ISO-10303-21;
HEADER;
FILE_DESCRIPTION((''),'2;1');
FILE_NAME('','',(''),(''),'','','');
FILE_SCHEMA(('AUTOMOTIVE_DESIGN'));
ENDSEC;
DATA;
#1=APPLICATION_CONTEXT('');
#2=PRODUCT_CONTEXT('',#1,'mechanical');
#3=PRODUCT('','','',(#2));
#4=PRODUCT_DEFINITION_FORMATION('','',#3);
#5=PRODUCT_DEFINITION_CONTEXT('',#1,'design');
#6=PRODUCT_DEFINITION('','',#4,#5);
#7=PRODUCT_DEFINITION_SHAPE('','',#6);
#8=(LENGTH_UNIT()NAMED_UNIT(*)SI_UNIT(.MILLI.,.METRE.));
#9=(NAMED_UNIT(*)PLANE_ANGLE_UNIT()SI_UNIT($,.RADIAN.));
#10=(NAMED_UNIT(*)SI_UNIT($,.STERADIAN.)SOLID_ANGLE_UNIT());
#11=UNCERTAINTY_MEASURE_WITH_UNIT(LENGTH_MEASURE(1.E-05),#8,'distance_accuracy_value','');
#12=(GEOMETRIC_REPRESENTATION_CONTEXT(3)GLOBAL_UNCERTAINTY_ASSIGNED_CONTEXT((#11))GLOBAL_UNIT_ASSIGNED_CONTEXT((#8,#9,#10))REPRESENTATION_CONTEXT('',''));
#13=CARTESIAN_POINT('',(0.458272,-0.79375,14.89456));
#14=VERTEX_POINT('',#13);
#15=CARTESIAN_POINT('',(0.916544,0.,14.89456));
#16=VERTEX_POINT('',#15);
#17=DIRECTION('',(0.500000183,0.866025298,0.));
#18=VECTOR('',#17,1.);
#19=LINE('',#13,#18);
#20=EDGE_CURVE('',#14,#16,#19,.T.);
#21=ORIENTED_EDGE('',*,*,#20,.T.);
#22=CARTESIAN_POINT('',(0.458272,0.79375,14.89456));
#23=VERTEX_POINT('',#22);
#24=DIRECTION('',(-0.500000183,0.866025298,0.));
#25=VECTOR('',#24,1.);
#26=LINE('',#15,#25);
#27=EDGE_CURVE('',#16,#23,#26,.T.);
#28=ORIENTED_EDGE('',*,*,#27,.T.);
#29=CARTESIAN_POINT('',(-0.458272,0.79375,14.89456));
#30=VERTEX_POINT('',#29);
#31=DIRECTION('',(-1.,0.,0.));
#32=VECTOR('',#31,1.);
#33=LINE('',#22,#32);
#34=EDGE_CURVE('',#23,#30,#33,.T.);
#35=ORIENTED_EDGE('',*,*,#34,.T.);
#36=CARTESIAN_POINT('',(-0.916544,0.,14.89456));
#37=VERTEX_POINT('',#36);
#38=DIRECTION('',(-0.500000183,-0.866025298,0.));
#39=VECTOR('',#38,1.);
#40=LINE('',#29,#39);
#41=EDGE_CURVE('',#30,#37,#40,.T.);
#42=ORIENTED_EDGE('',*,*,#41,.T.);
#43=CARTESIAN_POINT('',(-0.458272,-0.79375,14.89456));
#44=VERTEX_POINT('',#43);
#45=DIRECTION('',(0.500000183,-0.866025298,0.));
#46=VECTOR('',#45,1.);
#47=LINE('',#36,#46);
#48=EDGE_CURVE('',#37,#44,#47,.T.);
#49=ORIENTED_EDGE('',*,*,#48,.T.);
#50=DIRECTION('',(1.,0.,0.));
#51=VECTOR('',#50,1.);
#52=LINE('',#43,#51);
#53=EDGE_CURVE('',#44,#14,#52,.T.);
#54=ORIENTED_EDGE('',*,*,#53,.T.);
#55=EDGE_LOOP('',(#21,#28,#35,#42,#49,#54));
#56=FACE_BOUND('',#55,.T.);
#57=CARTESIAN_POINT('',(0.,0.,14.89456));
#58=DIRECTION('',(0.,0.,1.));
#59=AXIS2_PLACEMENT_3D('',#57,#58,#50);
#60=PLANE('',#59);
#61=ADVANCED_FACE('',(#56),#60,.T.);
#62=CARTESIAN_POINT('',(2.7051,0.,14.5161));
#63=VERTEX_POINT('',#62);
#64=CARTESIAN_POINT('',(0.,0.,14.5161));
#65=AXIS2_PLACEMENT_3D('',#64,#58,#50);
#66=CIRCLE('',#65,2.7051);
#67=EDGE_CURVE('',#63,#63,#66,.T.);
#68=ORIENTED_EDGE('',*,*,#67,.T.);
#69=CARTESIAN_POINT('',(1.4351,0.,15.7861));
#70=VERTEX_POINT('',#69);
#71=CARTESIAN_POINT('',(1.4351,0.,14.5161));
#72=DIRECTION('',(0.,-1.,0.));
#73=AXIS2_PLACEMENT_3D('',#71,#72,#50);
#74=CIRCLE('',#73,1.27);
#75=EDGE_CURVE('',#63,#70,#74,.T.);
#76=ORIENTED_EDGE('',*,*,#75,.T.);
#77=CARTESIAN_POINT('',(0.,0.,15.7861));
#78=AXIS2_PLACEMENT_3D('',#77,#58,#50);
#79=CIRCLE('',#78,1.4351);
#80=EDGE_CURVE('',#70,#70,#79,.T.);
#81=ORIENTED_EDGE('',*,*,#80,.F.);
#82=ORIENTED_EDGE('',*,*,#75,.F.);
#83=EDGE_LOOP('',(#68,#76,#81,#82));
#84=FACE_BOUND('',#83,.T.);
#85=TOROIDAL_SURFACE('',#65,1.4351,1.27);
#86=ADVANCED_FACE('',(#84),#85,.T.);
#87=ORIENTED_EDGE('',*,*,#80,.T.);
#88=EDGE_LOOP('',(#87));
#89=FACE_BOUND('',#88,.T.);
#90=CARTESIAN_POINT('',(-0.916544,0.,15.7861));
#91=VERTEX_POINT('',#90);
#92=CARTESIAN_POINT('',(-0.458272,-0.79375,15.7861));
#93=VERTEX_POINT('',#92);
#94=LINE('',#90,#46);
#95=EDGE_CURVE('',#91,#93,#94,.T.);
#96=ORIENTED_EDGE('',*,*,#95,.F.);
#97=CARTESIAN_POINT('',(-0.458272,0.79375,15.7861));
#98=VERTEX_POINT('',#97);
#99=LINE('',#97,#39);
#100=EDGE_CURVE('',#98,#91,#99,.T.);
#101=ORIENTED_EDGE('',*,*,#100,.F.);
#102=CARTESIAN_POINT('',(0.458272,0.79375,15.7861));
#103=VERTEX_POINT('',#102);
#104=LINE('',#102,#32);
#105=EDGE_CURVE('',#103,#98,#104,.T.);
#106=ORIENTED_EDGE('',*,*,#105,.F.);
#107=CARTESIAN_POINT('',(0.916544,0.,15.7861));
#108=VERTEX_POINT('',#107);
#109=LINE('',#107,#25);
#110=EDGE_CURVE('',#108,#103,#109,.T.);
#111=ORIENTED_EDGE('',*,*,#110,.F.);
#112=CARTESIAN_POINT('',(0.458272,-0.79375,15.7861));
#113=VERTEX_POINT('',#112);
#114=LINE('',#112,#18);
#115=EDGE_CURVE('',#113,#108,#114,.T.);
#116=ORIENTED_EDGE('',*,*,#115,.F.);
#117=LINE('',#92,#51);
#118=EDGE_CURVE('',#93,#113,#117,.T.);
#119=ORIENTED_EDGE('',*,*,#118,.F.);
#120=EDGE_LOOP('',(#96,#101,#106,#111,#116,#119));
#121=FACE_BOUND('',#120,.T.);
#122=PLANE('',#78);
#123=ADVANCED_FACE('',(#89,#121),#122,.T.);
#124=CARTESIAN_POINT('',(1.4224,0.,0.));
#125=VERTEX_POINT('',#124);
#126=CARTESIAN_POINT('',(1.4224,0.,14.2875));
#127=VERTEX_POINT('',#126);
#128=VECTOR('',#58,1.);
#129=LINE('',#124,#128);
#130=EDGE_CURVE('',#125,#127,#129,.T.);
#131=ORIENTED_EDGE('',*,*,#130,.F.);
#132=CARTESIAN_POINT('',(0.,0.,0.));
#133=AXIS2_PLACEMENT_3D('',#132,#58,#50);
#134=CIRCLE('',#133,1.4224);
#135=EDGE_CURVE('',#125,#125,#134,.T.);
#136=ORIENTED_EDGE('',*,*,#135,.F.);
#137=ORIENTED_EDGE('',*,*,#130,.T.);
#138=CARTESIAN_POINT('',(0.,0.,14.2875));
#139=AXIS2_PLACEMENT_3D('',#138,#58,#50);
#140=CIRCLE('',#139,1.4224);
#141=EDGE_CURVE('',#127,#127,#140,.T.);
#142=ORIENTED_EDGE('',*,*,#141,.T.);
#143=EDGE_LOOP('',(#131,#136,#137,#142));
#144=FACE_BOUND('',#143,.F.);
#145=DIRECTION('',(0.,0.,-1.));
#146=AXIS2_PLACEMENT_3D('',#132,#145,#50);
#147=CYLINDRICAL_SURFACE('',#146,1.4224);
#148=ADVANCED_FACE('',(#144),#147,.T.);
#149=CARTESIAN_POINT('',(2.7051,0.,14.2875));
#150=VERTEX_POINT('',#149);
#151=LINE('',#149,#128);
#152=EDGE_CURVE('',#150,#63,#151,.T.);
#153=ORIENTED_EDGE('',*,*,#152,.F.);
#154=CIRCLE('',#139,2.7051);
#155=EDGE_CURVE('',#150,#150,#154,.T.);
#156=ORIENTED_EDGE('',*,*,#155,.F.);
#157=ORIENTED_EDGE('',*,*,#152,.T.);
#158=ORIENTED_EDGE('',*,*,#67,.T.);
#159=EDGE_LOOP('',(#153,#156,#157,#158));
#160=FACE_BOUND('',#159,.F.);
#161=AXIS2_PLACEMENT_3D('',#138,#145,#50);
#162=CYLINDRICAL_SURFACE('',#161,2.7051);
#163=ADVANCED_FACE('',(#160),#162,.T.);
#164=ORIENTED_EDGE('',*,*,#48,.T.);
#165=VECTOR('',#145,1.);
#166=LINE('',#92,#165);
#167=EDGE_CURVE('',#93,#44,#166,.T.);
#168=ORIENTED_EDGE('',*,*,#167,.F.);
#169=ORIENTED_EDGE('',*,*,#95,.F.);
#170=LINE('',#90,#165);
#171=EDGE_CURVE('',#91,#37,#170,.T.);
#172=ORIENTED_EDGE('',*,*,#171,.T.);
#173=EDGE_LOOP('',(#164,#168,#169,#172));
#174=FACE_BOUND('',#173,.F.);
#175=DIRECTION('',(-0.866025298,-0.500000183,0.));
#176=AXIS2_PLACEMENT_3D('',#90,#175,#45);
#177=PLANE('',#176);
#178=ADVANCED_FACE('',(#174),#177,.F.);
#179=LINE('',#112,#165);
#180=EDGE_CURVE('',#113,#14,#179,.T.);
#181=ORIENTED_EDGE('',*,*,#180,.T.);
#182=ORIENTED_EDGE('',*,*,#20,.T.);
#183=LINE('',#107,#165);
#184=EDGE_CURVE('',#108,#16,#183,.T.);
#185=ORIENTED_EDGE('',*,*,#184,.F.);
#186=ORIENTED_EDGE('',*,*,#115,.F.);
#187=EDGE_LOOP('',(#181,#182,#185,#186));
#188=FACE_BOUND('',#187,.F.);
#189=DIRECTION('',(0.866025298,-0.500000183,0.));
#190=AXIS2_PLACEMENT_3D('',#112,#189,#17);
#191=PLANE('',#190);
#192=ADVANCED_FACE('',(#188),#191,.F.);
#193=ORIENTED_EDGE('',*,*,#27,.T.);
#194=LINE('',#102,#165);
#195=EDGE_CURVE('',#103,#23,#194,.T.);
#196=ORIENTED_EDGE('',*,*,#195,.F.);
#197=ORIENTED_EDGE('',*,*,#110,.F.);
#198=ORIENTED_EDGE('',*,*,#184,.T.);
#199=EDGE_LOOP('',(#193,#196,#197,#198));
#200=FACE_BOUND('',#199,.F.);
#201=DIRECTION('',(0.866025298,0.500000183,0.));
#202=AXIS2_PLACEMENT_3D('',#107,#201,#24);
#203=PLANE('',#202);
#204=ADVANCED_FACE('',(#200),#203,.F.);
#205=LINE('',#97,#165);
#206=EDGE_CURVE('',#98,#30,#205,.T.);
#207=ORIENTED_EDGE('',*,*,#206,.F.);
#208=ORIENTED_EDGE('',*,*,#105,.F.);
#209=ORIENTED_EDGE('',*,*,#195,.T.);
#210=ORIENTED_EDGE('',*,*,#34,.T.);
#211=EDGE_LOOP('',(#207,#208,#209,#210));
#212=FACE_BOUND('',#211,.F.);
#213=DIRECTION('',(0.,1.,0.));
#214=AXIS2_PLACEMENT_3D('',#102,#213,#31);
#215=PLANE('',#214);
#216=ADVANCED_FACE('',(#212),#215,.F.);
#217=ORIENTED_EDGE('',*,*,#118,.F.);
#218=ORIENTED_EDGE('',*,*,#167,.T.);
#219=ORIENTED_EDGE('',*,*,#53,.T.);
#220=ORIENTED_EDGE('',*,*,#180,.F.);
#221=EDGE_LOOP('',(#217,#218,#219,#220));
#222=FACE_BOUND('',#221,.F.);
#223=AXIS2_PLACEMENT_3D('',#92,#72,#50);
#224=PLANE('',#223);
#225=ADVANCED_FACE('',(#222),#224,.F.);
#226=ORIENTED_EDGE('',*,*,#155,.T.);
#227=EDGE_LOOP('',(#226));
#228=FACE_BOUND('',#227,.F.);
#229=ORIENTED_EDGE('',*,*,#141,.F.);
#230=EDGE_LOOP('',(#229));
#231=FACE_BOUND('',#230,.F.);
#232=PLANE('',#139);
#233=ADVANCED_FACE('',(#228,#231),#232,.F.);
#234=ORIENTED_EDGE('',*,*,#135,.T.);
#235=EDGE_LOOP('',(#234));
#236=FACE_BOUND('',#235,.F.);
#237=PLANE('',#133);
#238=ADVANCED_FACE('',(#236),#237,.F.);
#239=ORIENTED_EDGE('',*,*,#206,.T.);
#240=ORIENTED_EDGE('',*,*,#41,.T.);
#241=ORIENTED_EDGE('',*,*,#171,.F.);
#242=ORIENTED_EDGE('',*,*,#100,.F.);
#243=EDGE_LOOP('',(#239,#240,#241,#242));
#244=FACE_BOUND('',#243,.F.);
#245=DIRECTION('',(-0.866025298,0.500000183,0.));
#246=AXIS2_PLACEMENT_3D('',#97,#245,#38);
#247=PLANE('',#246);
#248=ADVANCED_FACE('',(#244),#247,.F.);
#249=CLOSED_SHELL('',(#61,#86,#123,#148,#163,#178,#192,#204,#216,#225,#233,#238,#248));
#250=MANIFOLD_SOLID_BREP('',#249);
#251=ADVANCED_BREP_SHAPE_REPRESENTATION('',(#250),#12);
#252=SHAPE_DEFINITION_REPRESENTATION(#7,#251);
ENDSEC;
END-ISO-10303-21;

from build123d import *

# Parameters (mm, degrees)
F0_R     = 1.4224
F1_DEPTH = 14.2875
F2_R     = 2.7051
F3_DEPTH = 1.4986
F4_R     = 1.27
F6_DEPTH = 0.89154


with BuildPart() as f1:
    # F0 (on Top) → F1 (new body)
    with BuildSketch(Plane.XY):
        Circle(F0_R)
    extrude(amount=F1_DEPTH)

    # F2 (on face) → F3 (join)
    with BuildSketch(Plane.XY.offset(14.2875)):
        Circle(F2_R)
    extrude(amount=F3_DEPTH)

    # F4
    f4_edges = [f1.edges().sort_by_distance(p)[0] for p in [
        (-2.7051, 0, 15.7861),
    ]]
    fillet(f4_edges, radius=F4_R)

    # F5 (on face) → F6 (cut)
    with BuildSketch(Plane.XY.offset(15.7861)):
        Polygon((0.458272, -0.79375), (0.916544, 0), (0.458272, 0.79375), (-0.458272, 0.79375), (-0.916544, 0), (-0.458272, -0.79375), align=None)
    extrude(amount=-F6_DEPTH, mode=Mode.SUBTRACT)


solid = f1.part
